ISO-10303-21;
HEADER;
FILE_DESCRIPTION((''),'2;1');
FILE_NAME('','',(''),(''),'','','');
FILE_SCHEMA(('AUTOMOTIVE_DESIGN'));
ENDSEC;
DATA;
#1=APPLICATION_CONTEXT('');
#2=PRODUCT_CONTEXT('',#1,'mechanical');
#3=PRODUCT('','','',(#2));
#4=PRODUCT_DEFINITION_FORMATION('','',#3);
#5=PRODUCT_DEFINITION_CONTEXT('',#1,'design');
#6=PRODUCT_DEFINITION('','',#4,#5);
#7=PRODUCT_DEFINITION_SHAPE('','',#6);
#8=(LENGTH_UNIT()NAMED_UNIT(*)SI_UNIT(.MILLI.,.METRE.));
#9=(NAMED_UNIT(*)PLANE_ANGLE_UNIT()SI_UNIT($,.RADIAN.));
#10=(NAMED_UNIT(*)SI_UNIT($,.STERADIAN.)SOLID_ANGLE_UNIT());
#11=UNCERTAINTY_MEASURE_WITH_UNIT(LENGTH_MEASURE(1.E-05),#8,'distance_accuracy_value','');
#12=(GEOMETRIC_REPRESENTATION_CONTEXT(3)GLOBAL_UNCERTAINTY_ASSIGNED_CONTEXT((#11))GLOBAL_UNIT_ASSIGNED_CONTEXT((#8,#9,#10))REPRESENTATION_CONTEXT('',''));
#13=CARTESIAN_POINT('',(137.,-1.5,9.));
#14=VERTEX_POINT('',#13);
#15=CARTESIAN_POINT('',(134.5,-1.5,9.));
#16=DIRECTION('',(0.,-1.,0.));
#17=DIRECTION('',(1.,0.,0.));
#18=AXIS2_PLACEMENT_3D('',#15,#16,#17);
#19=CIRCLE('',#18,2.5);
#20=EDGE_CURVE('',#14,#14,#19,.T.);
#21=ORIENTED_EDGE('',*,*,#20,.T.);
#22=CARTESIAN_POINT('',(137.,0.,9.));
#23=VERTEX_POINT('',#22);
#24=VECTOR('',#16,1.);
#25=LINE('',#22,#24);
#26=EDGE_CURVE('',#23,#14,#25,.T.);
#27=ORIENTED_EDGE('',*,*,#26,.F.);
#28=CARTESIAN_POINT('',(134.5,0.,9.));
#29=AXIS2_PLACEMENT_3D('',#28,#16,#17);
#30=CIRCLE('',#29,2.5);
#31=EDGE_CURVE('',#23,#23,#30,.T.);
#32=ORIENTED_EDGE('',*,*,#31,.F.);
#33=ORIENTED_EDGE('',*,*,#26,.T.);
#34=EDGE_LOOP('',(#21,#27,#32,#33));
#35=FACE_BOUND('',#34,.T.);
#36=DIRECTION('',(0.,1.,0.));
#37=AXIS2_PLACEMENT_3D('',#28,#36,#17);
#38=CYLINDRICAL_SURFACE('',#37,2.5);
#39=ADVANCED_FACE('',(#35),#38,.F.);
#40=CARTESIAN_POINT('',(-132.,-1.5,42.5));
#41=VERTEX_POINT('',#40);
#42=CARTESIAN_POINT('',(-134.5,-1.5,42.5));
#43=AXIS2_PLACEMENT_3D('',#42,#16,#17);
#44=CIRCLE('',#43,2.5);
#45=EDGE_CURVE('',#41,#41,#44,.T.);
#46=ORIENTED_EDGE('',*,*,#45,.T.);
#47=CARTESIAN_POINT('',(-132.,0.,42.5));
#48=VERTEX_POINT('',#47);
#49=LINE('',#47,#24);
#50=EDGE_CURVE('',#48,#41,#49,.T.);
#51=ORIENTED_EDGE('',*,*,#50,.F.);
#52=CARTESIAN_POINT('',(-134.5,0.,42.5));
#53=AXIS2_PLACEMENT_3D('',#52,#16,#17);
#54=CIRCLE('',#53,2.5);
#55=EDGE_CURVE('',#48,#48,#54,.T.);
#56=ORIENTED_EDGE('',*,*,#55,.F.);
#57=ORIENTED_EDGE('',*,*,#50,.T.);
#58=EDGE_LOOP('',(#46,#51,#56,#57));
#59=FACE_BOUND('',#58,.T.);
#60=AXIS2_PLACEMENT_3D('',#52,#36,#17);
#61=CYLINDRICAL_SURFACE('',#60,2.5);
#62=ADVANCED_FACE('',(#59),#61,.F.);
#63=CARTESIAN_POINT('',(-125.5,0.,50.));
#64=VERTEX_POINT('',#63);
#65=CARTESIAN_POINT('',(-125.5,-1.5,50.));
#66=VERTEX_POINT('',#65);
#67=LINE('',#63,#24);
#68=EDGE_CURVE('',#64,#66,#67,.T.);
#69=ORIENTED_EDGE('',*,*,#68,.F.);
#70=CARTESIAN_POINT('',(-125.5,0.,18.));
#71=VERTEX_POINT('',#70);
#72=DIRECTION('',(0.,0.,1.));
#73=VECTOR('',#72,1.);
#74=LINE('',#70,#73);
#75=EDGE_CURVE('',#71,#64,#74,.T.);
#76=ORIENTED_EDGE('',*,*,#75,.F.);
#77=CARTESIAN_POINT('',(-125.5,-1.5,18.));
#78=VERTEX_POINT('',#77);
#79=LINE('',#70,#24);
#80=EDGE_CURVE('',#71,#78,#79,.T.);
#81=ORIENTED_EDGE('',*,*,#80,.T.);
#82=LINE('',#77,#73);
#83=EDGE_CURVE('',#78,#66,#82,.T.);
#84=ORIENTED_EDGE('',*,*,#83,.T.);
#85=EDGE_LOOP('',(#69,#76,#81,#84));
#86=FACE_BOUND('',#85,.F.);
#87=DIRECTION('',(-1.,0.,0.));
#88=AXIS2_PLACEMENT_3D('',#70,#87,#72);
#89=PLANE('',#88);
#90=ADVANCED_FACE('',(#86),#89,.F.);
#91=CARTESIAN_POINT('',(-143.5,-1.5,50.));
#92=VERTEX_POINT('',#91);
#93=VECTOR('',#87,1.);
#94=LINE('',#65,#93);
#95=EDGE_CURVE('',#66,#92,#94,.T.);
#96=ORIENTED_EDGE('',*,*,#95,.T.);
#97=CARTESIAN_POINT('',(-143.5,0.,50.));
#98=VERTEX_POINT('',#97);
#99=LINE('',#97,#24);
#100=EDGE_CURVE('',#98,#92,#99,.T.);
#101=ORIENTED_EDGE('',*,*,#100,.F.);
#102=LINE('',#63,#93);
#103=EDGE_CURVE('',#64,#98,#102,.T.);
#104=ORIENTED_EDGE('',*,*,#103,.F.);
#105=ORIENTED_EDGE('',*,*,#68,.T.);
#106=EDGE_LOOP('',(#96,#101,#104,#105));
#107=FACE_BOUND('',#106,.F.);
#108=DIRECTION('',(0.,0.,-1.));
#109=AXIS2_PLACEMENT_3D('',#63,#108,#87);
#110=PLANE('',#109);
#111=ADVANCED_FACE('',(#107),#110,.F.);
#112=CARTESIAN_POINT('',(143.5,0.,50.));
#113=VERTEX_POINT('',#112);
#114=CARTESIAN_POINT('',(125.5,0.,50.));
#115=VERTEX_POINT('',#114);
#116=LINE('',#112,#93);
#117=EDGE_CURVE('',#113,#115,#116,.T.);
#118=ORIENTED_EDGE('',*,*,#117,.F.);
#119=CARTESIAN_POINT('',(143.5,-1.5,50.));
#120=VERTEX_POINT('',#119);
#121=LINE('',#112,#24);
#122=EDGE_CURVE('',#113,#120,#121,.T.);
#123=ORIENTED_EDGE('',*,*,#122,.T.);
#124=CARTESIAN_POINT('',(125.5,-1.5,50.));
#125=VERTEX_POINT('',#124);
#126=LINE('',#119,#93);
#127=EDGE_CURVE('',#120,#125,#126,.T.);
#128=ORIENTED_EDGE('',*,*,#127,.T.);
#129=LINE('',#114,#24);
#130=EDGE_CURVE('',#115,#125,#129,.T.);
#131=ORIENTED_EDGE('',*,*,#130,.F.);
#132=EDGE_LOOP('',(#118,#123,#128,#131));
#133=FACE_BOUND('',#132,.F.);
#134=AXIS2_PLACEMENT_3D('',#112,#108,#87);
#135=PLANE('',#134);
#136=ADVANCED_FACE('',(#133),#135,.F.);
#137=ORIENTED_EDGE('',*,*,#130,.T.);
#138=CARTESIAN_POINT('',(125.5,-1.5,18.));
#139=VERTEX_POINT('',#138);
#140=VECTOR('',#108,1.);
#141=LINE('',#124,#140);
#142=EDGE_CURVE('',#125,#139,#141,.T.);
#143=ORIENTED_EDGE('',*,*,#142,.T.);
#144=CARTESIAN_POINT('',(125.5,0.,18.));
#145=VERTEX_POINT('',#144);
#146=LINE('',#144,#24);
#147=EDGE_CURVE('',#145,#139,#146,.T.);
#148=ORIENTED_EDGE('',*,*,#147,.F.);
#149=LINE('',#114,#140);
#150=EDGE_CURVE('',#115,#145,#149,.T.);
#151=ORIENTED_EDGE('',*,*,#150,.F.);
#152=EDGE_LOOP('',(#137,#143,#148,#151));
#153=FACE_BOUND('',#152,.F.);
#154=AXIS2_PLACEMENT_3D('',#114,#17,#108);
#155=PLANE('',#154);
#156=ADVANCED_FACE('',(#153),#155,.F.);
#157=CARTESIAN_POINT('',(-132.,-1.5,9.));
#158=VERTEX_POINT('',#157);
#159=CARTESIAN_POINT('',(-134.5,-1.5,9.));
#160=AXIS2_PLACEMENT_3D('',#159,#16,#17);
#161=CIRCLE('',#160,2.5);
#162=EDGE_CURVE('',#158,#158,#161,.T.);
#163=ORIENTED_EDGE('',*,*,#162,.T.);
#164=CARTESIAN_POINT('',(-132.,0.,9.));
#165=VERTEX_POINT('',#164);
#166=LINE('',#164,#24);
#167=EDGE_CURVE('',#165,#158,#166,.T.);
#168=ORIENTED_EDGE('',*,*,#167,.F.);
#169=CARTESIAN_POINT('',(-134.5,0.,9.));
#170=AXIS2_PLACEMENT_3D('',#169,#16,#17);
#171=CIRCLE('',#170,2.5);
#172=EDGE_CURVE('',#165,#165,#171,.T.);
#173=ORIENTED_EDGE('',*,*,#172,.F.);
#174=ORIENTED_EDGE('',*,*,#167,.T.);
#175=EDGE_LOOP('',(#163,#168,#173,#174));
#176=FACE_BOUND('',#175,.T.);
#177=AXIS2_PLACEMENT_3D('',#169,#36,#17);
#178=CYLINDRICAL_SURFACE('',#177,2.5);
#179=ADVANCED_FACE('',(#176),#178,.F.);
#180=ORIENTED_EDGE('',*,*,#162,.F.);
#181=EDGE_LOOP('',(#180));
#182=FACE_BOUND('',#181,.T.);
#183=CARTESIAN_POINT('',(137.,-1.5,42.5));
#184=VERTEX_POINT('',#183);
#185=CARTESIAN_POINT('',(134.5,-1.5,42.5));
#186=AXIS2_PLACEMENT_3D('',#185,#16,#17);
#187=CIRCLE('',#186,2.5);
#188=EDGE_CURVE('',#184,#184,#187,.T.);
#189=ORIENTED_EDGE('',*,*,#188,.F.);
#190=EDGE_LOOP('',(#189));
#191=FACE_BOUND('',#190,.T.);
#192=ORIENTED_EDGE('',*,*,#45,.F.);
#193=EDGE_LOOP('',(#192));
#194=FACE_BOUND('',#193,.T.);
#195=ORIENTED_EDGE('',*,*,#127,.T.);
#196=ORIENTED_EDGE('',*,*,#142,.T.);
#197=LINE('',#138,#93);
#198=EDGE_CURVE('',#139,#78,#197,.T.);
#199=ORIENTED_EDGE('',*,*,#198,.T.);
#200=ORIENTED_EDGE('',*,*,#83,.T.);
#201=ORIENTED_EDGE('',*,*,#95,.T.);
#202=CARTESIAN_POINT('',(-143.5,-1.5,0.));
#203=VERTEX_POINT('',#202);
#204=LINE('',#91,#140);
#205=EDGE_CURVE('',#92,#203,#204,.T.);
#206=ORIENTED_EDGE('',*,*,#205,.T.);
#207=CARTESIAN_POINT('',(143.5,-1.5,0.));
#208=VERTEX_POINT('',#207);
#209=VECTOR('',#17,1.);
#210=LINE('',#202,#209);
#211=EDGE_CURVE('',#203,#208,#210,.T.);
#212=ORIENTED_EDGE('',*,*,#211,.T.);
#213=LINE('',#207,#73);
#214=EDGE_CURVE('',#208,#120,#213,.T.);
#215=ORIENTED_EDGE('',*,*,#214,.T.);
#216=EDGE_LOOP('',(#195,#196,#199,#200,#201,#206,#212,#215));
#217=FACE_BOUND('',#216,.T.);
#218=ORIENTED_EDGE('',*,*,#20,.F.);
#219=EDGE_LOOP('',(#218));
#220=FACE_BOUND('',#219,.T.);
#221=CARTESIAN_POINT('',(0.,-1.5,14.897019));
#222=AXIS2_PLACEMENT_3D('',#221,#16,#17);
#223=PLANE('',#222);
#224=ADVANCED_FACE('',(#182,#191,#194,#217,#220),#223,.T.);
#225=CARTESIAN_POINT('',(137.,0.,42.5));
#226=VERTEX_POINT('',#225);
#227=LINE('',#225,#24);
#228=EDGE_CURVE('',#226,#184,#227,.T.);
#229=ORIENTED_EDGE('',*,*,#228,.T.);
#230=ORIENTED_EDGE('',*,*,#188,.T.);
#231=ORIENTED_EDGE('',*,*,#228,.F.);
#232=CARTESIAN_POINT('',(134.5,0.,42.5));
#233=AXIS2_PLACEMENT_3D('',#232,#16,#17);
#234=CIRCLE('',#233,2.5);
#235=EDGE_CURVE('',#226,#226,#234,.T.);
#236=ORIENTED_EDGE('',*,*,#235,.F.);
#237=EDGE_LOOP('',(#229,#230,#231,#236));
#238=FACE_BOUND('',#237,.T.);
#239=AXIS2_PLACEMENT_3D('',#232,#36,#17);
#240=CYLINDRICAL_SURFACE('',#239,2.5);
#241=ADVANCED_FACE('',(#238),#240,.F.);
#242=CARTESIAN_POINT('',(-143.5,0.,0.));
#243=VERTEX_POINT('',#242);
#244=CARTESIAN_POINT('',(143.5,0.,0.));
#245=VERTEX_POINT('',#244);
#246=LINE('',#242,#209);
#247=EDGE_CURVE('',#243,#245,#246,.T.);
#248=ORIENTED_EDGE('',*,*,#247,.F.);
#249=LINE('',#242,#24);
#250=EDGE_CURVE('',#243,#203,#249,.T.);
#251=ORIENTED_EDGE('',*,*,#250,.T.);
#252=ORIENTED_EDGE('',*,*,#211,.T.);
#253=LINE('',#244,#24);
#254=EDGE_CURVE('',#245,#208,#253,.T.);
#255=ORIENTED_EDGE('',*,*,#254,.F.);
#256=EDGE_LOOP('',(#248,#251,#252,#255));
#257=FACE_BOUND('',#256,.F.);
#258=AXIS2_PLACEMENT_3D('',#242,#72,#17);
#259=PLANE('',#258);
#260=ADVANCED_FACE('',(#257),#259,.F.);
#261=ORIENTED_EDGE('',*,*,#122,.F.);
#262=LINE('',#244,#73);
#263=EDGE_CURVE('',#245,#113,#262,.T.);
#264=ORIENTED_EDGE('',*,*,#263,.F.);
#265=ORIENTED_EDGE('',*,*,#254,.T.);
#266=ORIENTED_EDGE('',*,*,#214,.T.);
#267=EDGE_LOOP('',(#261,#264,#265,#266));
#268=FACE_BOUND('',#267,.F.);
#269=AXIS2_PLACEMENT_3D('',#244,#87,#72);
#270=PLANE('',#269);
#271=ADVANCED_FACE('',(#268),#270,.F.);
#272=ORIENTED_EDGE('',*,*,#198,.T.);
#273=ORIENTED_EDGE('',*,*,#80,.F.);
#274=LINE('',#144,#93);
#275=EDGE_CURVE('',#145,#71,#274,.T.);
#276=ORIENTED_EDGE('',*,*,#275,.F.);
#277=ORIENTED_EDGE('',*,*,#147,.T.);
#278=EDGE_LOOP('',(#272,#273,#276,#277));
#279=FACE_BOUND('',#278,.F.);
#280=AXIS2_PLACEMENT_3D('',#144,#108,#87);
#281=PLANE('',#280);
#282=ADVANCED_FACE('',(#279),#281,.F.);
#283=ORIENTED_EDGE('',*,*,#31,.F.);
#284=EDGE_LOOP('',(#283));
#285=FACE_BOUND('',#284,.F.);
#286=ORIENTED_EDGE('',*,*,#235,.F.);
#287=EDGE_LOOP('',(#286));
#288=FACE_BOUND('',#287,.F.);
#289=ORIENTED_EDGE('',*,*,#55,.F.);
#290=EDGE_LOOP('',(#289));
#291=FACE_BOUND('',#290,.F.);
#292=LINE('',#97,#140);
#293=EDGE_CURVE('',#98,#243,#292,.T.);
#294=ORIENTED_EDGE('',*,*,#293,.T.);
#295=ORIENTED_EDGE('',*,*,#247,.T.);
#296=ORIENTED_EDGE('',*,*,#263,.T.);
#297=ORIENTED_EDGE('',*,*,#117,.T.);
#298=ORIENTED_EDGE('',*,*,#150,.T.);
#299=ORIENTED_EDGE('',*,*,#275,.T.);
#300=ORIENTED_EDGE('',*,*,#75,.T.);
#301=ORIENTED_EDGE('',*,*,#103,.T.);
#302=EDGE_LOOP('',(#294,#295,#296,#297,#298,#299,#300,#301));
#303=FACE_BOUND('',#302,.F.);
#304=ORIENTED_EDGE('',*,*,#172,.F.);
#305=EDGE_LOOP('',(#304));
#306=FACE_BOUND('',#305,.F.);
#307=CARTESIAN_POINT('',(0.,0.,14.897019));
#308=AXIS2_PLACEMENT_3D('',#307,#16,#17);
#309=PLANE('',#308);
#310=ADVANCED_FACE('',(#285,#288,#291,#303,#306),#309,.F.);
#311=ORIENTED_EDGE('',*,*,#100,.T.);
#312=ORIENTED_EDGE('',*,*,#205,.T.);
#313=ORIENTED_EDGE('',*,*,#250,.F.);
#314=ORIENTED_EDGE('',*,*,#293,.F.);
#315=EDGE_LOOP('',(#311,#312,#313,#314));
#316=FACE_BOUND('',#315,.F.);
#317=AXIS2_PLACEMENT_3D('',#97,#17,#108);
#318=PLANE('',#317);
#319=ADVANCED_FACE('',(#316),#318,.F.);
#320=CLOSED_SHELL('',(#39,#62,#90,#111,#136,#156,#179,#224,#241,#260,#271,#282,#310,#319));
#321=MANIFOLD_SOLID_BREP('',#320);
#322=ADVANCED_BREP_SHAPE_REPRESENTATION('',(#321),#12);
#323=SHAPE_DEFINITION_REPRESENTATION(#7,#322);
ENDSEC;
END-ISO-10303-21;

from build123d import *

# Parameters (mm, degrees)
F0_R     = 2.5
F1_DEPTH = 1.5


with BuildPart() as f1:
    # F0 (on Front) → F1 (new body)
    with BuildSketch(Plane.XZ):
        Polygon((-143.5, 0), (0, 0), (143.5, 0), (143.5, 50), (125.5, 50), (125.5, 18), (0, 18), (-125.5, 18), (-125.5, 50), (-143.5, 50), align=None)
        with Locations((-134.5, 9)):
            Circle(F0_R, mode=Mode.SUBTRACT)
        with Locations((134.5, 9)):
            Circle(F0_R, mode=Mode.SUBTRACT)
        with Locations((-134.5, 42.5)):
            Circle(F0_R, mode=Mode.SUBTRACT)
        with Locations((134.5, 42.5)):
            Circle(F0_R, mode=Mode.SUBTRACT)
    extrude(amount=F1_DEPTH)


solid = f1.part
